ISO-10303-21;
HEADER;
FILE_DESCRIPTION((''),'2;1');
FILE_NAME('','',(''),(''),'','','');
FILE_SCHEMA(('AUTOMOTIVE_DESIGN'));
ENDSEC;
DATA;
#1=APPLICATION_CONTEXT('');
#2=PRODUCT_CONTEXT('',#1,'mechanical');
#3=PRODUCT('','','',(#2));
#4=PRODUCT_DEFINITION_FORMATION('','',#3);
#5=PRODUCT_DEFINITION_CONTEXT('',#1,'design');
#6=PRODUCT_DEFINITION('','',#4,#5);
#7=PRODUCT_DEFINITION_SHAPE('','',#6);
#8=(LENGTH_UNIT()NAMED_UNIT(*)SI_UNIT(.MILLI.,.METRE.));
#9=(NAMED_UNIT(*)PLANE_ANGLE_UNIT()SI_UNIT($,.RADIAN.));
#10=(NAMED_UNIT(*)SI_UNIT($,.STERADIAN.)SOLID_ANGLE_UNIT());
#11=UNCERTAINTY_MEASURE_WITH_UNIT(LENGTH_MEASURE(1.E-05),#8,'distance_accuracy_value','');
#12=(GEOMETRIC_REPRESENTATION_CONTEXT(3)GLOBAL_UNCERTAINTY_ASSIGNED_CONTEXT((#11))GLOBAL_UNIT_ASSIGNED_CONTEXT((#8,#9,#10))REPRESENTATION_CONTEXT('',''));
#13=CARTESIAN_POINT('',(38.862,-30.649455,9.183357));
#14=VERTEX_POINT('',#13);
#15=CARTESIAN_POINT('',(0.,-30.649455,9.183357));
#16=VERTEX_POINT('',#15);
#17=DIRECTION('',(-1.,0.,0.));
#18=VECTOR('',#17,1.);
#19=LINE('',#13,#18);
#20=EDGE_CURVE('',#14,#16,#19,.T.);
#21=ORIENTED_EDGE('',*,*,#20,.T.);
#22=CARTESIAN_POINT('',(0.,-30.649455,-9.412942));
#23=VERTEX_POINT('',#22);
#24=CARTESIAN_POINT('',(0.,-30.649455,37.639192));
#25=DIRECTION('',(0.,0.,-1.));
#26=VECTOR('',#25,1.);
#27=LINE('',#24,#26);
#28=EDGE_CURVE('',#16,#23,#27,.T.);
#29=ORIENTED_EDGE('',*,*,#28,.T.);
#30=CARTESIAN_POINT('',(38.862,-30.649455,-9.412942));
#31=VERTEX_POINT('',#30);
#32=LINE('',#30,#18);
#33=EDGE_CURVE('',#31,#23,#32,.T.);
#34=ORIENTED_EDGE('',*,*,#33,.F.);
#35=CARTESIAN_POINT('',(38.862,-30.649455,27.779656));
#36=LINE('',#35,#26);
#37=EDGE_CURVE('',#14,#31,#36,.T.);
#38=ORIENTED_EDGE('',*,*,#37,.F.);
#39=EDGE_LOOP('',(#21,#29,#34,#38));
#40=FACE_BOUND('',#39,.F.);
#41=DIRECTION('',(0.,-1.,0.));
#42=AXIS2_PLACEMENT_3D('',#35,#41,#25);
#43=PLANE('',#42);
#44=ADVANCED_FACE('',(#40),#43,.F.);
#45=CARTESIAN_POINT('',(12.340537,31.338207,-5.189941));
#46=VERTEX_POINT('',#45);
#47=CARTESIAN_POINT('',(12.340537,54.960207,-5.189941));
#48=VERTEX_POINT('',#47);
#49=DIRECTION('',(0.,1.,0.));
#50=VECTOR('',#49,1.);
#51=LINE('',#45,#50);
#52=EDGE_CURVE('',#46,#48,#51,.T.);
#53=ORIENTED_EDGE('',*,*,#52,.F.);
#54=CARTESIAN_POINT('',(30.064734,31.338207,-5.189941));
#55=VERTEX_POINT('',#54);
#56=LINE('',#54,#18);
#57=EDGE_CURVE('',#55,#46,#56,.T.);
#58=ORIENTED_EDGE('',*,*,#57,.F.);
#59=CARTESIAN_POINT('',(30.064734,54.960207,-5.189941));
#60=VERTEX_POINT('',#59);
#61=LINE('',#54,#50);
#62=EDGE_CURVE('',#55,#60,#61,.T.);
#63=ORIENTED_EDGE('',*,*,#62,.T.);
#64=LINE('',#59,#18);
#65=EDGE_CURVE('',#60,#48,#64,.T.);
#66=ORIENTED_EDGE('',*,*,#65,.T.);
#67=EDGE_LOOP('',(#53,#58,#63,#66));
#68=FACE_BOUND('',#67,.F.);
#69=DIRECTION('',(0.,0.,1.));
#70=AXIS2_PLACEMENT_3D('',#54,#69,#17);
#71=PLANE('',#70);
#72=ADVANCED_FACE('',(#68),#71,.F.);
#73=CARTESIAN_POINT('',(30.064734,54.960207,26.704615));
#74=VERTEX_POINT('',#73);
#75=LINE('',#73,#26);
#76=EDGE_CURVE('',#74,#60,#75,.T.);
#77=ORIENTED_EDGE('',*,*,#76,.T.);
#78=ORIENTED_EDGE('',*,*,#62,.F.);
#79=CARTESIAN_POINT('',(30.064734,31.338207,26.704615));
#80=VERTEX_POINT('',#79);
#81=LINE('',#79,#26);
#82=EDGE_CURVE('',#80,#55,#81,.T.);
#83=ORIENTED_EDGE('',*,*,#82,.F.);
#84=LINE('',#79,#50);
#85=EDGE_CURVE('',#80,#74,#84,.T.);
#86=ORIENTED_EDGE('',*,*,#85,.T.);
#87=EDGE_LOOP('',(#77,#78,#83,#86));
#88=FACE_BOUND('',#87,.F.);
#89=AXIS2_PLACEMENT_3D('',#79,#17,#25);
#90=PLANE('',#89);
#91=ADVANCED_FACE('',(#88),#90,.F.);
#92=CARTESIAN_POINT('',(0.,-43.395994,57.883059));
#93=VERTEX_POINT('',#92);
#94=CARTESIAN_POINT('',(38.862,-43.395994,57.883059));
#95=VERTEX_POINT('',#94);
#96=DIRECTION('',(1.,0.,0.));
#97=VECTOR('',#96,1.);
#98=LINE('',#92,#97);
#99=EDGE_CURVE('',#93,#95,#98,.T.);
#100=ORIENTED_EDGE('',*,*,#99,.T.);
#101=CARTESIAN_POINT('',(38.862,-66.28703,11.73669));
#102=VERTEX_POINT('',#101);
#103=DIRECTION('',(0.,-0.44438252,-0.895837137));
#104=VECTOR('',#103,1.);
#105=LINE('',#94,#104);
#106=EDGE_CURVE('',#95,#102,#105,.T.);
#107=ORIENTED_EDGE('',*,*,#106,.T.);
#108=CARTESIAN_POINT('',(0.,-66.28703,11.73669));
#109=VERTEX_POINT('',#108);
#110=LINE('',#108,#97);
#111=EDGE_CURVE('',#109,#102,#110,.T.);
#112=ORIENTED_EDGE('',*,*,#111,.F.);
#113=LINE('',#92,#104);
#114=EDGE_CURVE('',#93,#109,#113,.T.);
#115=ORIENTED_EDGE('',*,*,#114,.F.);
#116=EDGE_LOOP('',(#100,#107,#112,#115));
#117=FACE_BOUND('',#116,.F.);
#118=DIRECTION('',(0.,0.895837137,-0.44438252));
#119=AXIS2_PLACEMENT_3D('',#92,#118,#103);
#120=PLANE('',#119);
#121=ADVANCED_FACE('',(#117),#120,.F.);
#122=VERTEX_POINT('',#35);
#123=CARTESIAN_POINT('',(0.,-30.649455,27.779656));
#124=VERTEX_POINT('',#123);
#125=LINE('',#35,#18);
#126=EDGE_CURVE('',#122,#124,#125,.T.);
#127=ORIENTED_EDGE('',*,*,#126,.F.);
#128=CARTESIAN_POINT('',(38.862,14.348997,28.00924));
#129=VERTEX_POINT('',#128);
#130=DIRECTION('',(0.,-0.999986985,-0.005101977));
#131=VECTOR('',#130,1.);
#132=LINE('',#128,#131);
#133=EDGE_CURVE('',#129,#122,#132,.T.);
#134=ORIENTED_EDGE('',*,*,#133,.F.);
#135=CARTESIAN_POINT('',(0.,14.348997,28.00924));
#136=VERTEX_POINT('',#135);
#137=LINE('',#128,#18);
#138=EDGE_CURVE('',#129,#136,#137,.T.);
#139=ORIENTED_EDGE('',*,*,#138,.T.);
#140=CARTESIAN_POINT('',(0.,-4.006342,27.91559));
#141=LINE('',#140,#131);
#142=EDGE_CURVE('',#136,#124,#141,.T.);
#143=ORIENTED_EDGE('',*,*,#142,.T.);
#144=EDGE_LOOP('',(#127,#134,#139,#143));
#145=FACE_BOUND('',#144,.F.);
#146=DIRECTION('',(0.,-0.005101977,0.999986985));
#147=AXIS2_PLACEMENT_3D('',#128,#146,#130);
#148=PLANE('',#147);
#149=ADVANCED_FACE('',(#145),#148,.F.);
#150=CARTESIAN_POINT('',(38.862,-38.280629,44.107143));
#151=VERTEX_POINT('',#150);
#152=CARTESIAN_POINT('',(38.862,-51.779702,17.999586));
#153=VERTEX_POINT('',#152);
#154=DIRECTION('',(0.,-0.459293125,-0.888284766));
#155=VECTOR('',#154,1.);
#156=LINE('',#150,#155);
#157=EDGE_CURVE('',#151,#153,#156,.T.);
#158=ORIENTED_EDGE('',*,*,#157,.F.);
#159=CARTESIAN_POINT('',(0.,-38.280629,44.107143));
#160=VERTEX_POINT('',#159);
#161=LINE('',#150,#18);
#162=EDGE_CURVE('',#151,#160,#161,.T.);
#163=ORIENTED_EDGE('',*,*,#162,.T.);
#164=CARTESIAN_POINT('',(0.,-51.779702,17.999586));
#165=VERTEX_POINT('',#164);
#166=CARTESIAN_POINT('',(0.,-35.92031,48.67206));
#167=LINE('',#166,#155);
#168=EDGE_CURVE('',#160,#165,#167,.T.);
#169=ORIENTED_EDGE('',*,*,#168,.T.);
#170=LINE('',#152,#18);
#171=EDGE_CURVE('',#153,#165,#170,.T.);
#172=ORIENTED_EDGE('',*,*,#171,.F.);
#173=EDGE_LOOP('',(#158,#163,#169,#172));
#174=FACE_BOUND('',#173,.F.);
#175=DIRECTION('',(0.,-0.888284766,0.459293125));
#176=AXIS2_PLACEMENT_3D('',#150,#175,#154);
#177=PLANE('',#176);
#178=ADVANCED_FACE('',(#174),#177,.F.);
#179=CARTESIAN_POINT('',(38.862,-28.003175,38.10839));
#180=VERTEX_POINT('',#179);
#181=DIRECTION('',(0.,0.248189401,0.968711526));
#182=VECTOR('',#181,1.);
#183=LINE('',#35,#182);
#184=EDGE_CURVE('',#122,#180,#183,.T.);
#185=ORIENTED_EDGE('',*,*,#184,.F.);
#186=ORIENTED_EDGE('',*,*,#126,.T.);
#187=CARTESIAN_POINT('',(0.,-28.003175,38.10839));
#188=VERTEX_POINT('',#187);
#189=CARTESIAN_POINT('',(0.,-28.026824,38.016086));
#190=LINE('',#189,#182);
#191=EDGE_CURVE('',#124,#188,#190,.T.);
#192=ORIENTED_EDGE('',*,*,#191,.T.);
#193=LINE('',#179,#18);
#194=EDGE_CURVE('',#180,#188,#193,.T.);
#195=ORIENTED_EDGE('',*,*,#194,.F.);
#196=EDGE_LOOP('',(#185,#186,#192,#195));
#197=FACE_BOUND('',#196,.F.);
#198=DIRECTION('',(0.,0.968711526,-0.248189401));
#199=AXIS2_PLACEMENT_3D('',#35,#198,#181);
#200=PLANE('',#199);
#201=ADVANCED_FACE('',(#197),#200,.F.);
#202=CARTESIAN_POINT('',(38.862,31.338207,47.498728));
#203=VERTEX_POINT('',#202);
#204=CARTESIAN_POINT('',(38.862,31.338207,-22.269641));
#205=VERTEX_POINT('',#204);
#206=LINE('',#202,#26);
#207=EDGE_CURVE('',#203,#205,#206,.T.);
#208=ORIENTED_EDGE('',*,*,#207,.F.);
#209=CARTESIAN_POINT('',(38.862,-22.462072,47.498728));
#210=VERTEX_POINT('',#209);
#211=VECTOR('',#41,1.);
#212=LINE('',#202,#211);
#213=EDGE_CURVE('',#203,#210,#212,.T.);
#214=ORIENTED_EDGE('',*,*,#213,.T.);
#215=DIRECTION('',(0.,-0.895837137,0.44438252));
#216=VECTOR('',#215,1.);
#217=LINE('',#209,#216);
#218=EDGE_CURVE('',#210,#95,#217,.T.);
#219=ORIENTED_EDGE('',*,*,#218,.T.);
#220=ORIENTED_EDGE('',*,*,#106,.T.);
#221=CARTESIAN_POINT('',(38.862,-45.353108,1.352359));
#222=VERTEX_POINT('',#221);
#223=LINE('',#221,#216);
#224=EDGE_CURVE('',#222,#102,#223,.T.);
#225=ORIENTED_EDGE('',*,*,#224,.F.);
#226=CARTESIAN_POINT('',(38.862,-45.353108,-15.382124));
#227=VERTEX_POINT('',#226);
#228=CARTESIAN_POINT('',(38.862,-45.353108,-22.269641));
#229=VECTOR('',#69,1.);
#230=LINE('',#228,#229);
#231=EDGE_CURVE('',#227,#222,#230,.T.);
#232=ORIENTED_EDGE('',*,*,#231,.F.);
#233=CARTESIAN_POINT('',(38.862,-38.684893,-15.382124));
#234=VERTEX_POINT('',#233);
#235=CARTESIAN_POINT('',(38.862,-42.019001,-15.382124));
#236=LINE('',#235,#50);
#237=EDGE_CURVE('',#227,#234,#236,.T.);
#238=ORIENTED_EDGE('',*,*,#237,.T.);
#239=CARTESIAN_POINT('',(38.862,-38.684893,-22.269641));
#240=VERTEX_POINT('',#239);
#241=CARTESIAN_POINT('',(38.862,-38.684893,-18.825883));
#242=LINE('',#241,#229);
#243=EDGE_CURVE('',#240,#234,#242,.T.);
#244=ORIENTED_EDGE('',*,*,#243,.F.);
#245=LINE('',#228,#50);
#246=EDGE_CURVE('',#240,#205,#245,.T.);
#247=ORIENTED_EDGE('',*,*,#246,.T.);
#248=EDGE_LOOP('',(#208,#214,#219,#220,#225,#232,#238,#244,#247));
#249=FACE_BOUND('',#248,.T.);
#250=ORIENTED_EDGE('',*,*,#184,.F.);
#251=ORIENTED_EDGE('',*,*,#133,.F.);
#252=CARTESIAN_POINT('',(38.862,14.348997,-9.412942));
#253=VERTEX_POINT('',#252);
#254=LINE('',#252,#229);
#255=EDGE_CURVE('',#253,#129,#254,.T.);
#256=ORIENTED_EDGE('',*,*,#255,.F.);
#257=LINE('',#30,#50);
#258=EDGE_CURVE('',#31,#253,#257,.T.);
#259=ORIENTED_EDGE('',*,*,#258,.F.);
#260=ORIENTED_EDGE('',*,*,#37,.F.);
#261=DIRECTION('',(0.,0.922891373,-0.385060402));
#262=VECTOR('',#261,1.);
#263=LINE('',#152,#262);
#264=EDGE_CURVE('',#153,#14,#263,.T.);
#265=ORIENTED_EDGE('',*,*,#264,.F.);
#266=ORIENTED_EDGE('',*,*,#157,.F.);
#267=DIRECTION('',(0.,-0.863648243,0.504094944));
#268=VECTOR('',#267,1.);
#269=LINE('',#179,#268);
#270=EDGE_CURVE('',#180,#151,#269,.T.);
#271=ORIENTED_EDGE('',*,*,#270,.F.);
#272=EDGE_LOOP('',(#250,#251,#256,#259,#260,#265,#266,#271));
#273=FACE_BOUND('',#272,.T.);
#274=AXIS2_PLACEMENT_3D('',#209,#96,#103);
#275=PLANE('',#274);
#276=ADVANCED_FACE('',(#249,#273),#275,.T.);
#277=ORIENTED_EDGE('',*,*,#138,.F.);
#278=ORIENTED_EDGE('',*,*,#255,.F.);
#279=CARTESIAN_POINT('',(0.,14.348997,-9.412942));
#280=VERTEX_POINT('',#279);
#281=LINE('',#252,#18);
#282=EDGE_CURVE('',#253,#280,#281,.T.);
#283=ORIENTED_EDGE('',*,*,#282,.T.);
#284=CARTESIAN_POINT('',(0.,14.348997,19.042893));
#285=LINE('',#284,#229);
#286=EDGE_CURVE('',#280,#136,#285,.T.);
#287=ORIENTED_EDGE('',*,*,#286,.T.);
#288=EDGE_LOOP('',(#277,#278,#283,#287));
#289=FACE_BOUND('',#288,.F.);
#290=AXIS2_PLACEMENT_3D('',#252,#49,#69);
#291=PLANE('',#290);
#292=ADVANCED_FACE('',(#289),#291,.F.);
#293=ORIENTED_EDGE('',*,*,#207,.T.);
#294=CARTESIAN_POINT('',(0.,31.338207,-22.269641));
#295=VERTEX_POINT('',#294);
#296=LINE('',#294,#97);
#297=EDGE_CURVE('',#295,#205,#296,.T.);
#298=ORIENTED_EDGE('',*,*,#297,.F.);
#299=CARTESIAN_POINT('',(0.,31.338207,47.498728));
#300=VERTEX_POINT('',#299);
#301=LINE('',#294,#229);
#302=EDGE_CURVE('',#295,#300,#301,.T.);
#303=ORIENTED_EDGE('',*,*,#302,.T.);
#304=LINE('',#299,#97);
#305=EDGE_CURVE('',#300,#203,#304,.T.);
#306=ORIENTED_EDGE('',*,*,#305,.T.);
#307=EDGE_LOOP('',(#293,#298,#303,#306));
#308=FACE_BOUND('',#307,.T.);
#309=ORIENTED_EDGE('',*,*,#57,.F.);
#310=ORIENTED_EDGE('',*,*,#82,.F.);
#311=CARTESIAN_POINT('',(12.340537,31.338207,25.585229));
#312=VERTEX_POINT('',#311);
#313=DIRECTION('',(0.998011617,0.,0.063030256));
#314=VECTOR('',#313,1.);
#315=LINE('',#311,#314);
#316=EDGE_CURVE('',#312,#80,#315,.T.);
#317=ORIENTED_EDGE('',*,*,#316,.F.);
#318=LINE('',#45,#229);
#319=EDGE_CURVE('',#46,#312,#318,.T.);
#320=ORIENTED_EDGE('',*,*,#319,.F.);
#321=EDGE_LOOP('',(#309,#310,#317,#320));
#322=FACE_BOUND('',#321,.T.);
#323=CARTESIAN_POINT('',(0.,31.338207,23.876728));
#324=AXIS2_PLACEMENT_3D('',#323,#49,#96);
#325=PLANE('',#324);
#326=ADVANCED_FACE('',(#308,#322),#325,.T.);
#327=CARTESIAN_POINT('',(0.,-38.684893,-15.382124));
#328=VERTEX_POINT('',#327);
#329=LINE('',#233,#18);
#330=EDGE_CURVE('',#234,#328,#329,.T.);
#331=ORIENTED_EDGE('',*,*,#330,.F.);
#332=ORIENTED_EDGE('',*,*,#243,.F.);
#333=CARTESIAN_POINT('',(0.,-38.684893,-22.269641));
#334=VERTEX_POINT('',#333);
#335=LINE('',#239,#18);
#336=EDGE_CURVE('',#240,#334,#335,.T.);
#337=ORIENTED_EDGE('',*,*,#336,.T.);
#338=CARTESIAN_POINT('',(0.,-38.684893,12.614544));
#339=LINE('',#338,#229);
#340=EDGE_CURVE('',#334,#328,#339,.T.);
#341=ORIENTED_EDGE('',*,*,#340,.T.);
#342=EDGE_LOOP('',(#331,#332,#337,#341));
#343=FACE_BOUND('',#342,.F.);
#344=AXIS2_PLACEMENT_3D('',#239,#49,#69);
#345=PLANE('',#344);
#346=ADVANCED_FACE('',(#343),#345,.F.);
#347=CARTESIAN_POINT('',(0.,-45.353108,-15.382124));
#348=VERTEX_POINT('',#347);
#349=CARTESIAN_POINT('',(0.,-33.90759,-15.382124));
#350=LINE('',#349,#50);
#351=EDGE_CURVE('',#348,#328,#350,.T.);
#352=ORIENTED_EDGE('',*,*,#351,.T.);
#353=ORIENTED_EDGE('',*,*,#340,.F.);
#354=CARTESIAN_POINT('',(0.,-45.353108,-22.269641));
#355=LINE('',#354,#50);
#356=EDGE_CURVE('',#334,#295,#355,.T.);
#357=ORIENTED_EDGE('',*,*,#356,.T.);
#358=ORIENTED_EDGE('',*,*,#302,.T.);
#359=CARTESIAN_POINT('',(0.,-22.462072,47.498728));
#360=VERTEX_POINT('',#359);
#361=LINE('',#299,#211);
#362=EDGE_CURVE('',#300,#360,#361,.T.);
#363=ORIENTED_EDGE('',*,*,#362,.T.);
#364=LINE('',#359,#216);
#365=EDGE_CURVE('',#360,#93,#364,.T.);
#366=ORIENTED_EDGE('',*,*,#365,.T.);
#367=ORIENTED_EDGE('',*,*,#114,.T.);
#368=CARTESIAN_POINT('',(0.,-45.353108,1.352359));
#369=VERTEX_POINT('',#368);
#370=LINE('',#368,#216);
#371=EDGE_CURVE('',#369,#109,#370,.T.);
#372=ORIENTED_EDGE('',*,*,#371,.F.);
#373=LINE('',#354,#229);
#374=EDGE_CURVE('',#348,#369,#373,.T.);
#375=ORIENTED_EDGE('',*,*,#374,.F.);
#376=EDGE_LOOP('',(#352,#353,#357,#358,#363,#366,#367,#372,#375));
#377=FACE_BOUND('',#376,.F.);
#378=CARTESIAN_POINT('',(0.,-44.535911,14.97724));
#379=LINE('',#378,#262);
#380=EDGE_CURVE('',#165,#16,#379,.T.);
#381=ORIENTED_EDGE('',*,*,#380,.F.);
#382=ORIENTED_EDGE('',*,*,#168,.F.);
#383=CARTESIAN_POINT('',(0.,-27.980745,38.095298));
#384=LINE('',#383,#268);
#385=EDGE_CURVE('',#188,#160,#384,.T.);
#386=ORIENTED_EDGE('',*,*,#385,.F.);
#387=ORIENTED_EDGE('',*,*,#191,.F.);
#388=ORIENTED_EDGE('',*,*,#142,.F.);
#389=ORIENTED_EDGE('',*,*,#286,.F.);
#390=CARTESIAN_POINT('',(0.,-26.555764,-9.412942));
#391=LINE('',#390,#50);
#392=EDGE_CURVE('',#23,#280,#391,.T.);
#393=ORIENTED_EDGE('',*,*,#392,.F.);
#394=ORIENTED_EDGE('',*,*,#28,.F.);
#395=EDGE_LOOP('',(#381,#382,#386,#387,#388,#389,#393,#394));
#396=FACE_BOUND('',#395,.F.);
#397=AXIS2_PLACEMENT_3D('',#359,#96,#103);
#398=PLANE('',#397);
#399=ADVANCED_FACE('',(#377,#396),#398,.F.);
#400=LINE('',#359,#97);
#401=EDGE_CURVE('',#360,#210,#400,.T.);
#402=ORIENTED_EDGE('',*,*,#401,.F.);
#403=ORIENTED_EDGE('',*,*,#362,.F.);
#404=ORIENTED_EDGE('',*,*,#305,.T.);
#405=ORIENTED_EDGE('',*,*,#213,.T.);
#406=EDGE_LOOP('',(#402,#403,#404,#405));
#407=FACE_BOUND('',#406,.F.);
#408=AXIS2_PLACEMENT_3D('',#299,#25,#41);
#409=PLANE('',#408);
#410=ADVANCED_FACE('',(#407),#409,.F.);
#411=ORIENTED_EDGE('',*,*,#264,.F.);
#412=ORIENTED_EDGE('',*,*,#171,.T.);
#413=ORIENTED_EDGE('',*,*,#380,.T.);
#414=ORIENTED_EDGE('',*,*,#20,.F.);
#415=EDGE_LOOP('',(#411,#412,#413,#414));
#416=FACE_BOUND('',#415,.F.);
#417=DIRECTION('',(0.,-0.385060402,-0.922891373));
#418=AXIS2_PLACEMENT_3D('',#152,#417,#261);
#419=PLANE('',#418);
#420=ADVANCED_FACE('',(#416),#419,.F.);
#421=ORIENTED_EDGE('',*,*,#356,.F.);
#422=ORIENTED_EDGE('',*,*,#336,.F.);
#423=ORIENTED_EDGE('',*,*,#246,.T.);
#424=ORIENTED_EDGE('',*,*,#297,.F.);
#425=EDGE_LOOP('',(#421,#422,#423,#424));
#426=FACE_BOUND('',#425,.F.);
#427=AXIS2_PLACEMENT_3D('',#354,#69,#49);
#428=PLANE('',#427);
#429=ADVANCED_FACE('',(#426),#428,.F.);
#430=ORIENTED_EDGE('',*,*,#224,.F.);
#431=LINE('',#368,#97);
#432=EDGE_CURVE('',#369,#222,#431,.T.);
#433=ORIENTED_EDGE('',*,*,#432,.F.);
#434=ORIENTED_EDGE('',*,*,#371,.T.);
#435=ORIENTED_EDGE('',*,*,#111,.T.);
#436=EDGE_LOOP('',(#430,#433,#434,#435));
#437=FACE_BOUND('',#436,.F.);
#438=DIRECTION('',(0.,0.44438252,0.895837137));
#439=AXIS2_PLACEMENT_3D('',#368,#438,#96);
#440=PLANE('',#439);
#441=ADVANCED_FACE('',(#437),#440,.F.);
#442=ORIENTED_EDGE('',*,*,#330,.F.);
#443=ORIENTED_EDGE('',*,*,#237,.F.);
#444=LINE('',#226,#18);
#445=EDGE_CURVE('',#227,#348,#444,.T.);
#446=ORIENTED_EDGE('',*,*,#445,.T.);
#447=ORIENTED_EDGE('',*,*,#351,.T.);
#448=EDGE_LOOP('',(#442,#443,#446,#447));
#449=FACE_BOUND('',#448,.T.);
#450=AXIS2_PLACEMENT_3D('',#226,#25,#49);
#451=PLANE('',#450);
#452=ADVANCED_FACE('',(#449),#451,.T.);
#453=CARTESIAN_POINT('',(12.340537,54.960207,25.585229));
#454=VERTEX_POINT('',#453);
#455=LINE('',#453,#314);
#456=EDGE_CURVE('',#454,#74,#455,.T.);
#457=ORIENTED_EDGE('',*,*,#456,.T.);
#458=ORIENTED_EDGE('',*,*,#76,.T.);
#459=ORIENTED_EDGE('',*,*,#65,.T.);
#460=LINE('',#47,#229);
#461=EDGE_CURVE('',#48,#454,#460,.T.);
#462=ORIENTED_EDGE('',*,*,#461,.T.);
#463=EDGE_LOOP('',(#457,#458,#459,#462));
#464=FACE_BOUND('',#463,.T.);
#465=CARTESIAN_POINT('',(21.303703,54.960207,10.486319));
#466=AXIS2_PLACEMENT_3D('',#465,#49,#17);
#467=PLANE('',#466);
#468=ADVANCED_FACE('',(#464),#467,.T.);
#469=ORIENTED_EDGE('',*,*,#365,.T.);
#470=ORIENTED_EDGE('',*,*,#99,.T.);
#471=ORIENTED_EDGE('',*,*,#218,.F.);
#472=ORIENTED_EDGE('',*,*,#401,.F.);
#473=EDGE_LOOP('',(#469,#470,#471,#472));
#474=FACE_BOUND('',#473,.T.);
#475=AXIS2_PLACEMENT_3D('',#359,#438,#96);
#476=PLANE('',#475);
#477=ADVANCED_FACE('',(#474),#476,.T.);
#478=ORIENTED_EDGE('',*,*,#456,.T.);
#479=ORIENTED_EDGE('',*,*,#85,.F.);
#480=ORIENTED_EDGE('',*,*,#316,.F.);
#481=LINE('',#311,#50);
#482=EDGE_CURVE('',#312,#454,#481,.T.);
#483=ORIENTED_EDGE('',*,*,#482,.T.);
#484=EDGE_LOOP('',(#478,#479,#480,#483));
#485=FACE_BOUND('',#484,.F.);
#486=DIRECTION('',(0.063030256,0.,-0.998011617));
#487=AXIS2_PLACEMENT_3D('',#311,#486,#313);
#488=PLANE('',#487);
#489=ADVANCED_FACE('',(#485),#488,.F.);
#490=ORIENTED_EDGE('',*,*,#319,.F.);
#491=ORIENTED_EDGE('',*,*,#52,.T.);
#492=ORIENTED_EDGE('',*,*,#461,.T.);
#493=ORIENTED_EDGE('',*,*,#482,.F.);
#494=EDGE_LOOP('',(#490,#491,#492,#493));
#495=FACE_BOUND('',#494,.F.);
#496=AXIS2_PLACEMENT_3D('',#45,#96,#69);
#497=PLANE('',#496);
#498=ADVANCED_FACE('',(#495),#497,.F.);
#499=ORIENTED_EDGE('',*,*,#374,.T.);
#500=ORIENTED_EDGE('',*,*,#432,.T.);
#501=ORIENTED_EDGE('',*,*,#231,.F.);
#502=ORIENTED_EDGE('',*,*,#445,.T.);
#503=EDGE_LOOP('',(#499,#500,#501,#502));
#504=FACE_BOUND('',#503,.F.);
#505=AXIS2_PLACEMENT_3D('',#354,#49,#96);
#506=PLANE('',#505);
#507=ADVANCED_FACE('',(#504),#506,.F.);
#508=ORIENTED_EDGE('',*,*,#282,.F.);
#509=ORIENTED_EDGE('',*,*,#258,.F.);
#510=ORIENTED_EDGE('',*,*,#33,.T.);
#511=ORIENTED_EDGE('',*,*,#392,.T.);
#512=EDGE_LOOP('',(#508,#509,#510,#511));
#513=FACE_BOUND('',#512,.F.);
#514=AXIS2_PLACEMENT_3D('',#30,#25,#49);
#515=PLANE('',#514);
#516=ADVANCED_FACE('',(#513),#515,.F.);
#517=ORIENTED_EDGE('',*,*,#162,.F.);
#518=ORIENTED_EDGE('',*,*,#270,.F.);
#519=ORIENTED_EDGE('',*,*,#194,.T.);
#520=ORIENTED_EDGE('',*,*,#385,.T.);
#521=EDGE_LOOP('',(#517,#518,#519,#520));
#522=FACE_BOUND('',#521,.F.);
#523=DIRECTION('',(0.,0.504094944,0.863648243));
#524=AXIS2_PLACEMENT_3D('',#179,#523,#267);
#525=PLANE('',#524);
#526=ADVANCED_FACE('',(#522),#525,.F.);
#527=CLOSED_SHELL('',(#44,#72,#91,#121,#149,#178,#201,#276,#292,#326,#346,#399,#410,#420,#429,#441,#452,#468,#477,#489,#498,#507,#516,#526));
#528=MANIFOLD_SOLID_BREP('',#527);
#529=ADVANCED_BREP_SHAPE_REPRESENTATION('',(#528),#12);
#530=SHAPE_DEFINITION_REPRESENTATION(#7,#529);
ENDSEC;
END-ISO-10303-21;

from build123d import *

# Parameters (mm, degrees)
F1_DEPTH  = 38.862
F2_DEPTH  = 23.622
F3_DEPTH  = 23.368
F5_DEPTH  = 79.248
F7_DEPTH  = 75.692
F8_W      = 6.6682146308
F8_H      = 6.8875169381
F9_DEPTH  = 99.314
F11_DEPTH = 23.622


with BuildPart() as f1:
    # F0 (on Right) → F1 (new body)
    with BuildSketch(Plane.YZ):
        Polygon((31.3382074237, 23.87672849), (-22.4620722006, 23.87672849), (-45.3531080303, -22.2696410492), (31.3382074237, -22.2696410492), align=None)
    extrude(amount=F1_DEPTH)

    # F2 (add): faces of the model
    f2_faces = [f1.faces().sort_by_distance(p)[0] for p in [
        (19.431, 4.4380676116, 23.87672849),
        (19.431, -33.9075901154, 0.8035437204),
    ]]
    extrude(f2_faces, amount=F2_DEPTH, dir=(0, 0, 1))

    # F3 (add): a face of the model
    f3_faces = [f1.faces().sort_by_distance(p)[0] for p in [
        (19.431, -33.9075901154, 24.4255437204),
    ]]
    extrude(f3_faces, amount=F3_DEPTH)

    # F4 (on face) → F5 (cut)
    with BuildSketch(Plane.YZ.offset(38.862)):
        Polygon((14.3489968032, 28.0092395842), (-30.6494552642, 27.779655531), (-30.6494552642, -9.4129415229), (14.3489968032, -9.4129415229), align=None)
    extrude(amount=-F5_DEPTH, mode=Mode.SUBTRACT)

    # F6 (on face) → F7 (cut)
    with BuildSketch(Plane.YZ.offset(38.862)):
        Polygon((-28.0031748116, 38.1083898246), (-38.2806286216, 44.1071428359), (-51.7797023058, 17.9995857179), (-30.6494552642, 9.1833570041), (-30.6494552642, 27.779655531), align=None)
    extrude(amount=-F7_DEPTH, mode=Mode.SUBTRACT)

    # F8 (on face) → F9 (cut)
    with BuildSketch(Plane.YZ.offset(38.862)):
        with Locations((-42.0190007149, -18.8258825801)):
            Rectangle(F8_W, F8_H)
    extrude(amount=-F9_DEPTH, mode=Mode.SUBTRACT)

    # F10 (on face) → F11 (join)
    with BuildSketch(Plane(origin=(0, 31.3382074237, 0), x_dir=(-1, 0, 0), z_dir=(0, 1, 0))):
        Polygon((-12.3405372724, 25.5852285773), (-30.064733699, 26.704614982), (-30.064733699, -5.189940799), (-12.3405372724, -5.189940799), align=None)
    extrude(amount=F11_DEPTH)


solid = f1.part
